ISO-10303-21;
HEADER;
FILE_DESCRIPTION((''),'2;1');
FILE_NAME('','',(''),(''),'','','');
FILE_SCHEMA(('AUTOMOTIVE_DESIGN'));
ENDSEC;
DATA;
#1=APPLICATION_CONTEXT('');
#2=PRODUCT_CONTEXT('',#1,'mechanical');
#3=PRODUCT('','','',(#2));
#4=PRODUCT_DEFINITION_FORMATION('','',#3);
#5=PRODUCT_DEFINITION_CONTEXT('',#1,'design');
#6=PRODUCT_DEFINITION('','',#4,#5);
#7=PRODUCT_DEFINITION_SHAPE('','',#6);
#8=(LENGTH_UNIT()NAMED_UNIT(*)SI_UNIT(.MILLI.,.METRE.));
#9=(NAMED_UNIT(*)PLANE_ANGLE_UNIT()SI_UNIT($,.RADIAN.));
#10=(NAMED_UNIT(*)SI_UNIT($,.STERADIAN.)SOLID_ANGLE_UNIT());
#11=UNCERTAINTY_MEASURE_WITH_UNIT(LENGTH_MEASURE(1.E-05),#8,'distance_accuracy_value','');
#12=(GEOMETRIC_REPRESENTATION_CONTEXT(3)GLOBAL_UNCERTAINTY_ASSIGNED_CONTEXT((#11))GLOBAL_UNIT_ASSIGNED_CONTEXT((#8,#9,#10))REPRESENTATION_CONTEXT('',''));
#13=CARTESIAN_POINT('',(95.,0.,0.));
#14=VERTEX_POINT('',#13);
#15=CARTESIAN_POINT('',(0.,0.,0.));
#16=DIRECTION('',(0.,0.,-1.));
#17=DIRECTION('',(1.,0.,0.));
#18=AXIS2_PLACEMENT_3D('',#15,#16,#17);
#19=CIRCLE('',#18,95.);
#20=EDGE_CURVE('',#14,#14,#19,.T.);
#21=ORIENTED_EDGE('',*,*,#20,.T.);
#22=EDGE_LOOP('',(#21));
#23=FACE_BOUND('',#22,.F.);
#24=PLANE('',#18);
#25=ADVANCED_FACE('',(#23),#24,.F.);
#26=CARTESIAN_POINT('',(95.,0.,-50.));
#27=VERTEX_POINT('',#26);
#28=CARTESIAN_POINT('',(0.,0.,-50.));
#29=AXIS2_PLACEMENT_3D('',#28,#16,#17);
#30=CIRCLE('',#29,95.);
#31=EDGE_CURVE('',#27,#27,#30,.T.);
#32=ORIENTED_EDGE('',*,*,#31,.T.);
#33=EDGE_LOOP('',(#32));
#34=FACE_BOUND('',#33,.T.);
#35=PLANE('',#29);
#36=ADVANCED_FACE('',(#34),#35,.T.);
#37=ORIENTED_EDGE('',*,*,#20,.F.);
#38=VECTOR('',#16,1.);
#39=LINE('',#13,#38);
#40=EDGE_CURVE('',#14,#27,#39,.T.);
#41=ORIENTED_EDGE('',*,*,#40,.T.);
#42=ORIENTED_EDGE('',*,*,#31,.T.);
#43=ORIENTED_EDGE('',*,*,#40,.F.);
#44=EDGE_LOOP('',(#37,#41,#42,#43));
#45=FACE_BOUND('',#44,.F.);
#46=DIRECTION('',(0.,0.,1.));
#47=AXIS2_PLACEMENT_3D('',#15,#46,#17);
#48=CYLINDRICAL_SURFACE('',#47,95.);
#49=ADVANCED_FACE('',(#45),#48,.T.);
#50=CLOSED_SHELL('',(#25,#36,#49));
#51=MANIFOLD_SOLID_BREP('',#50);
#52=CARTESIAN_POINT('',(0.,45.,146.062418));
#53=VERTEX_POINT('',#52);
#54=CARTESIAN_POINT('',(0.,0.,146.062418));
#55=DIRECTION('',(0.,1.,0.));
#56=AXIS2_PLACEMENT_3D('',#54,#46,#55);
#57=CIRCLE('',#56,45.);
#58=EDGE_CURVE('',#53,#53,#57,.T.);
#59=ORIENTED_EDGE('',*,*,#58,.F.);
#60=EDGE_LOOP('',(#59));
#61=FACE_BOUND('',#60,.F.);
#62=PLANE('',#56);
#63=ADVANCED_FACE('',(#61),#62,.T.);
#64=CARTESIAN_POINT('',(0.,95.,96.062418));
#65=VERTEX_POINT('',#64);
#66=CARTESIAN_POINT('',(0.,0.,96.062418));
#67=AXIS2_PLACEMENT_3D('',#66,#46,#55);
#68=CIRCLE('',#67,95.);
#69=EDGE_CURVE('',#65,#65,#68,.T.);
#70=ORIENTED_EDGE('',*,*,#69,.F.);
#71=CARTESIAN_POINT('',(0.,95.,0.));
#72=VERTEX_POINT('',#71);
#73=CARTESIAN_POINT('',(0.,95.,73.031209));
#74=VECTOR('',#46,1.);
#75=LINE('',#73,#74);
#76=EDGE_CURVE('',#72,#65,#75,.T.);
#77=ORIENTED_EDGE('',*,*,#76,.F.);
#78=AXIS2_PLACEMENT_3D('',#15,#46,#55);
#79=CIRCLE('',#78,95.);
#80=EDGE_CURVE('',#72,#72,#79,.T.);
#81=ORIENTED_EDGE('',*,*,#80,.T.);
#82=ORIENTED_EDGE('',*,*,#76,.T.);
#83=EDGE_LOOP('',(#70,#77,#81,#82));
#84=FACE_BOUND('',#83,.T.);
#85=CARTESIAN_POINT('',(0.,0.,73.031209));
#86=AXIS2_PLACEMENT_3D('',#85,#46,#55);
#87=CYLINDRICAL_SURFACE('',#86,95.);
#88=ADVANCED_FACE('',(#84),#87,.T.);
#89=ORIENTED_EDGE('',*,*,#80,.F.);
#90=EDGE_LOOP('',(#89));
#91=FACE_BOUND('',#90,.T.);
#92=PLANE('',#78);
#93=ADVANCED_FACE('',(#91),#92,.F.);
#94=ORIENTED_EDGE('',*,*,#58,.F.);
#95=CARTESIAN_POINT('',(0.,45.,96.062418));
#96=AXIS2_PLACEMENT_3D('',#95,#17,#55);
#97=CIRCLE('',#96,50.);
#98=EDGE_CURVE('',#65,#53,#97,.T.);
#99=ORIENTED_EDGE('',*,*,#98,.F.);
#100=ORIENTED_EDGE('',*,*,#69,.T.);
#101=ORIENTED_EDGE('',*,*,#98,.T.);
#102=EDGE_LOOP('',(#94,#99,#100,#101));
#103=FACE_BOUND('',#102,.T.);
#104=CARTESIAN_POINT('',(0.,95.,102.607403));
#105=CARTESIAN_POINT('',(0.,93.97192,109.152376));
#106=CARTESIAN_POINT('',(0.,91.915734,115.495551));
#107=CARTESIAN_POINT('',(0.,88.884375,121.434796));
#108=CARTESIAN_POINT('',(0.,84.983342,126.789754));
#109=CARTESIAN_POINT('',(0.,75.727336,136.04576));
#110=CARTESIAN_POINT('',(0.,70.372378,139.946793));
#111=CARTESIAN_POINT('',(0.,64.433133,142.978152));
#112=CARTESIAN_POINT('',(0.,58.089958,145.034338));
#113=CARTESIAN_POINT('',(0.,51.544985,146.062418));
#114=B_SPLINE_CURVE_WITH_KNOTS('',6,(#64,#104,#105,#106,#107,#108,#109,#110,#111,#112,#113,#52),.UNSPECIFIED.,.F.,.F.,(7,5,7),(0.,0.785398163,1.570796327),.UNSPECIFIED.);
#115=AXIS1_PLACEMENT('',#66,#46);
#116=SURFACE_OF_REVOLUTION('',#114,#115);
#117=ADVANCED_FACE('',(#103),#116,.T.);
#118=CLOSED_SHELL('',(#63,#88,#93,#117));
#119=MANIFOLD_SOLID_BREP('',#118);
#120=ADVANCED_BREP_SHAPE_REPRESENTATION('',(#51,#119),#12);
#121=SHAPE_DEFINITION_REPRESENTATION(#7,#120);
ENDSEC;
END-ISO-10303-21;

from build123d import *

# Parameters (mm, degrees)
F0_W     = 95
F0_H     = 146.062418
F2_R     = 50
F3_R     = 95
F4_DEPTH = 50


with BuildPart() as f1:
    # F0 (on Right) → F1 (revolve)
    with BuildSketch(Plane.YZ):
        with Locations((47.5, 73.031209)):
            Rectangle(F0_W, F0_H)
    revolve(axis=Axis((0, 0, 73.031209), (0, 0, 1)))

    # F2
    f2_edges = [f1.edges().sort_by_distance(p)[0] for p in [
        (0, -95, 146.062418),
    ]]
    fillet(f2_edges, radius=F2_R)


with BuildPart() as f4:
    # F3 (on face) → F4 (new body)
    with BuildSketch(Plane(origin=(0, 0, 0), x_dir=(1, 0, 0), z_dir=(0, 0, -1))):
        Circle(F3_R)
    extrude(amount=F4_DEPTH)


solid = Compound([f1.part, f4.part])
